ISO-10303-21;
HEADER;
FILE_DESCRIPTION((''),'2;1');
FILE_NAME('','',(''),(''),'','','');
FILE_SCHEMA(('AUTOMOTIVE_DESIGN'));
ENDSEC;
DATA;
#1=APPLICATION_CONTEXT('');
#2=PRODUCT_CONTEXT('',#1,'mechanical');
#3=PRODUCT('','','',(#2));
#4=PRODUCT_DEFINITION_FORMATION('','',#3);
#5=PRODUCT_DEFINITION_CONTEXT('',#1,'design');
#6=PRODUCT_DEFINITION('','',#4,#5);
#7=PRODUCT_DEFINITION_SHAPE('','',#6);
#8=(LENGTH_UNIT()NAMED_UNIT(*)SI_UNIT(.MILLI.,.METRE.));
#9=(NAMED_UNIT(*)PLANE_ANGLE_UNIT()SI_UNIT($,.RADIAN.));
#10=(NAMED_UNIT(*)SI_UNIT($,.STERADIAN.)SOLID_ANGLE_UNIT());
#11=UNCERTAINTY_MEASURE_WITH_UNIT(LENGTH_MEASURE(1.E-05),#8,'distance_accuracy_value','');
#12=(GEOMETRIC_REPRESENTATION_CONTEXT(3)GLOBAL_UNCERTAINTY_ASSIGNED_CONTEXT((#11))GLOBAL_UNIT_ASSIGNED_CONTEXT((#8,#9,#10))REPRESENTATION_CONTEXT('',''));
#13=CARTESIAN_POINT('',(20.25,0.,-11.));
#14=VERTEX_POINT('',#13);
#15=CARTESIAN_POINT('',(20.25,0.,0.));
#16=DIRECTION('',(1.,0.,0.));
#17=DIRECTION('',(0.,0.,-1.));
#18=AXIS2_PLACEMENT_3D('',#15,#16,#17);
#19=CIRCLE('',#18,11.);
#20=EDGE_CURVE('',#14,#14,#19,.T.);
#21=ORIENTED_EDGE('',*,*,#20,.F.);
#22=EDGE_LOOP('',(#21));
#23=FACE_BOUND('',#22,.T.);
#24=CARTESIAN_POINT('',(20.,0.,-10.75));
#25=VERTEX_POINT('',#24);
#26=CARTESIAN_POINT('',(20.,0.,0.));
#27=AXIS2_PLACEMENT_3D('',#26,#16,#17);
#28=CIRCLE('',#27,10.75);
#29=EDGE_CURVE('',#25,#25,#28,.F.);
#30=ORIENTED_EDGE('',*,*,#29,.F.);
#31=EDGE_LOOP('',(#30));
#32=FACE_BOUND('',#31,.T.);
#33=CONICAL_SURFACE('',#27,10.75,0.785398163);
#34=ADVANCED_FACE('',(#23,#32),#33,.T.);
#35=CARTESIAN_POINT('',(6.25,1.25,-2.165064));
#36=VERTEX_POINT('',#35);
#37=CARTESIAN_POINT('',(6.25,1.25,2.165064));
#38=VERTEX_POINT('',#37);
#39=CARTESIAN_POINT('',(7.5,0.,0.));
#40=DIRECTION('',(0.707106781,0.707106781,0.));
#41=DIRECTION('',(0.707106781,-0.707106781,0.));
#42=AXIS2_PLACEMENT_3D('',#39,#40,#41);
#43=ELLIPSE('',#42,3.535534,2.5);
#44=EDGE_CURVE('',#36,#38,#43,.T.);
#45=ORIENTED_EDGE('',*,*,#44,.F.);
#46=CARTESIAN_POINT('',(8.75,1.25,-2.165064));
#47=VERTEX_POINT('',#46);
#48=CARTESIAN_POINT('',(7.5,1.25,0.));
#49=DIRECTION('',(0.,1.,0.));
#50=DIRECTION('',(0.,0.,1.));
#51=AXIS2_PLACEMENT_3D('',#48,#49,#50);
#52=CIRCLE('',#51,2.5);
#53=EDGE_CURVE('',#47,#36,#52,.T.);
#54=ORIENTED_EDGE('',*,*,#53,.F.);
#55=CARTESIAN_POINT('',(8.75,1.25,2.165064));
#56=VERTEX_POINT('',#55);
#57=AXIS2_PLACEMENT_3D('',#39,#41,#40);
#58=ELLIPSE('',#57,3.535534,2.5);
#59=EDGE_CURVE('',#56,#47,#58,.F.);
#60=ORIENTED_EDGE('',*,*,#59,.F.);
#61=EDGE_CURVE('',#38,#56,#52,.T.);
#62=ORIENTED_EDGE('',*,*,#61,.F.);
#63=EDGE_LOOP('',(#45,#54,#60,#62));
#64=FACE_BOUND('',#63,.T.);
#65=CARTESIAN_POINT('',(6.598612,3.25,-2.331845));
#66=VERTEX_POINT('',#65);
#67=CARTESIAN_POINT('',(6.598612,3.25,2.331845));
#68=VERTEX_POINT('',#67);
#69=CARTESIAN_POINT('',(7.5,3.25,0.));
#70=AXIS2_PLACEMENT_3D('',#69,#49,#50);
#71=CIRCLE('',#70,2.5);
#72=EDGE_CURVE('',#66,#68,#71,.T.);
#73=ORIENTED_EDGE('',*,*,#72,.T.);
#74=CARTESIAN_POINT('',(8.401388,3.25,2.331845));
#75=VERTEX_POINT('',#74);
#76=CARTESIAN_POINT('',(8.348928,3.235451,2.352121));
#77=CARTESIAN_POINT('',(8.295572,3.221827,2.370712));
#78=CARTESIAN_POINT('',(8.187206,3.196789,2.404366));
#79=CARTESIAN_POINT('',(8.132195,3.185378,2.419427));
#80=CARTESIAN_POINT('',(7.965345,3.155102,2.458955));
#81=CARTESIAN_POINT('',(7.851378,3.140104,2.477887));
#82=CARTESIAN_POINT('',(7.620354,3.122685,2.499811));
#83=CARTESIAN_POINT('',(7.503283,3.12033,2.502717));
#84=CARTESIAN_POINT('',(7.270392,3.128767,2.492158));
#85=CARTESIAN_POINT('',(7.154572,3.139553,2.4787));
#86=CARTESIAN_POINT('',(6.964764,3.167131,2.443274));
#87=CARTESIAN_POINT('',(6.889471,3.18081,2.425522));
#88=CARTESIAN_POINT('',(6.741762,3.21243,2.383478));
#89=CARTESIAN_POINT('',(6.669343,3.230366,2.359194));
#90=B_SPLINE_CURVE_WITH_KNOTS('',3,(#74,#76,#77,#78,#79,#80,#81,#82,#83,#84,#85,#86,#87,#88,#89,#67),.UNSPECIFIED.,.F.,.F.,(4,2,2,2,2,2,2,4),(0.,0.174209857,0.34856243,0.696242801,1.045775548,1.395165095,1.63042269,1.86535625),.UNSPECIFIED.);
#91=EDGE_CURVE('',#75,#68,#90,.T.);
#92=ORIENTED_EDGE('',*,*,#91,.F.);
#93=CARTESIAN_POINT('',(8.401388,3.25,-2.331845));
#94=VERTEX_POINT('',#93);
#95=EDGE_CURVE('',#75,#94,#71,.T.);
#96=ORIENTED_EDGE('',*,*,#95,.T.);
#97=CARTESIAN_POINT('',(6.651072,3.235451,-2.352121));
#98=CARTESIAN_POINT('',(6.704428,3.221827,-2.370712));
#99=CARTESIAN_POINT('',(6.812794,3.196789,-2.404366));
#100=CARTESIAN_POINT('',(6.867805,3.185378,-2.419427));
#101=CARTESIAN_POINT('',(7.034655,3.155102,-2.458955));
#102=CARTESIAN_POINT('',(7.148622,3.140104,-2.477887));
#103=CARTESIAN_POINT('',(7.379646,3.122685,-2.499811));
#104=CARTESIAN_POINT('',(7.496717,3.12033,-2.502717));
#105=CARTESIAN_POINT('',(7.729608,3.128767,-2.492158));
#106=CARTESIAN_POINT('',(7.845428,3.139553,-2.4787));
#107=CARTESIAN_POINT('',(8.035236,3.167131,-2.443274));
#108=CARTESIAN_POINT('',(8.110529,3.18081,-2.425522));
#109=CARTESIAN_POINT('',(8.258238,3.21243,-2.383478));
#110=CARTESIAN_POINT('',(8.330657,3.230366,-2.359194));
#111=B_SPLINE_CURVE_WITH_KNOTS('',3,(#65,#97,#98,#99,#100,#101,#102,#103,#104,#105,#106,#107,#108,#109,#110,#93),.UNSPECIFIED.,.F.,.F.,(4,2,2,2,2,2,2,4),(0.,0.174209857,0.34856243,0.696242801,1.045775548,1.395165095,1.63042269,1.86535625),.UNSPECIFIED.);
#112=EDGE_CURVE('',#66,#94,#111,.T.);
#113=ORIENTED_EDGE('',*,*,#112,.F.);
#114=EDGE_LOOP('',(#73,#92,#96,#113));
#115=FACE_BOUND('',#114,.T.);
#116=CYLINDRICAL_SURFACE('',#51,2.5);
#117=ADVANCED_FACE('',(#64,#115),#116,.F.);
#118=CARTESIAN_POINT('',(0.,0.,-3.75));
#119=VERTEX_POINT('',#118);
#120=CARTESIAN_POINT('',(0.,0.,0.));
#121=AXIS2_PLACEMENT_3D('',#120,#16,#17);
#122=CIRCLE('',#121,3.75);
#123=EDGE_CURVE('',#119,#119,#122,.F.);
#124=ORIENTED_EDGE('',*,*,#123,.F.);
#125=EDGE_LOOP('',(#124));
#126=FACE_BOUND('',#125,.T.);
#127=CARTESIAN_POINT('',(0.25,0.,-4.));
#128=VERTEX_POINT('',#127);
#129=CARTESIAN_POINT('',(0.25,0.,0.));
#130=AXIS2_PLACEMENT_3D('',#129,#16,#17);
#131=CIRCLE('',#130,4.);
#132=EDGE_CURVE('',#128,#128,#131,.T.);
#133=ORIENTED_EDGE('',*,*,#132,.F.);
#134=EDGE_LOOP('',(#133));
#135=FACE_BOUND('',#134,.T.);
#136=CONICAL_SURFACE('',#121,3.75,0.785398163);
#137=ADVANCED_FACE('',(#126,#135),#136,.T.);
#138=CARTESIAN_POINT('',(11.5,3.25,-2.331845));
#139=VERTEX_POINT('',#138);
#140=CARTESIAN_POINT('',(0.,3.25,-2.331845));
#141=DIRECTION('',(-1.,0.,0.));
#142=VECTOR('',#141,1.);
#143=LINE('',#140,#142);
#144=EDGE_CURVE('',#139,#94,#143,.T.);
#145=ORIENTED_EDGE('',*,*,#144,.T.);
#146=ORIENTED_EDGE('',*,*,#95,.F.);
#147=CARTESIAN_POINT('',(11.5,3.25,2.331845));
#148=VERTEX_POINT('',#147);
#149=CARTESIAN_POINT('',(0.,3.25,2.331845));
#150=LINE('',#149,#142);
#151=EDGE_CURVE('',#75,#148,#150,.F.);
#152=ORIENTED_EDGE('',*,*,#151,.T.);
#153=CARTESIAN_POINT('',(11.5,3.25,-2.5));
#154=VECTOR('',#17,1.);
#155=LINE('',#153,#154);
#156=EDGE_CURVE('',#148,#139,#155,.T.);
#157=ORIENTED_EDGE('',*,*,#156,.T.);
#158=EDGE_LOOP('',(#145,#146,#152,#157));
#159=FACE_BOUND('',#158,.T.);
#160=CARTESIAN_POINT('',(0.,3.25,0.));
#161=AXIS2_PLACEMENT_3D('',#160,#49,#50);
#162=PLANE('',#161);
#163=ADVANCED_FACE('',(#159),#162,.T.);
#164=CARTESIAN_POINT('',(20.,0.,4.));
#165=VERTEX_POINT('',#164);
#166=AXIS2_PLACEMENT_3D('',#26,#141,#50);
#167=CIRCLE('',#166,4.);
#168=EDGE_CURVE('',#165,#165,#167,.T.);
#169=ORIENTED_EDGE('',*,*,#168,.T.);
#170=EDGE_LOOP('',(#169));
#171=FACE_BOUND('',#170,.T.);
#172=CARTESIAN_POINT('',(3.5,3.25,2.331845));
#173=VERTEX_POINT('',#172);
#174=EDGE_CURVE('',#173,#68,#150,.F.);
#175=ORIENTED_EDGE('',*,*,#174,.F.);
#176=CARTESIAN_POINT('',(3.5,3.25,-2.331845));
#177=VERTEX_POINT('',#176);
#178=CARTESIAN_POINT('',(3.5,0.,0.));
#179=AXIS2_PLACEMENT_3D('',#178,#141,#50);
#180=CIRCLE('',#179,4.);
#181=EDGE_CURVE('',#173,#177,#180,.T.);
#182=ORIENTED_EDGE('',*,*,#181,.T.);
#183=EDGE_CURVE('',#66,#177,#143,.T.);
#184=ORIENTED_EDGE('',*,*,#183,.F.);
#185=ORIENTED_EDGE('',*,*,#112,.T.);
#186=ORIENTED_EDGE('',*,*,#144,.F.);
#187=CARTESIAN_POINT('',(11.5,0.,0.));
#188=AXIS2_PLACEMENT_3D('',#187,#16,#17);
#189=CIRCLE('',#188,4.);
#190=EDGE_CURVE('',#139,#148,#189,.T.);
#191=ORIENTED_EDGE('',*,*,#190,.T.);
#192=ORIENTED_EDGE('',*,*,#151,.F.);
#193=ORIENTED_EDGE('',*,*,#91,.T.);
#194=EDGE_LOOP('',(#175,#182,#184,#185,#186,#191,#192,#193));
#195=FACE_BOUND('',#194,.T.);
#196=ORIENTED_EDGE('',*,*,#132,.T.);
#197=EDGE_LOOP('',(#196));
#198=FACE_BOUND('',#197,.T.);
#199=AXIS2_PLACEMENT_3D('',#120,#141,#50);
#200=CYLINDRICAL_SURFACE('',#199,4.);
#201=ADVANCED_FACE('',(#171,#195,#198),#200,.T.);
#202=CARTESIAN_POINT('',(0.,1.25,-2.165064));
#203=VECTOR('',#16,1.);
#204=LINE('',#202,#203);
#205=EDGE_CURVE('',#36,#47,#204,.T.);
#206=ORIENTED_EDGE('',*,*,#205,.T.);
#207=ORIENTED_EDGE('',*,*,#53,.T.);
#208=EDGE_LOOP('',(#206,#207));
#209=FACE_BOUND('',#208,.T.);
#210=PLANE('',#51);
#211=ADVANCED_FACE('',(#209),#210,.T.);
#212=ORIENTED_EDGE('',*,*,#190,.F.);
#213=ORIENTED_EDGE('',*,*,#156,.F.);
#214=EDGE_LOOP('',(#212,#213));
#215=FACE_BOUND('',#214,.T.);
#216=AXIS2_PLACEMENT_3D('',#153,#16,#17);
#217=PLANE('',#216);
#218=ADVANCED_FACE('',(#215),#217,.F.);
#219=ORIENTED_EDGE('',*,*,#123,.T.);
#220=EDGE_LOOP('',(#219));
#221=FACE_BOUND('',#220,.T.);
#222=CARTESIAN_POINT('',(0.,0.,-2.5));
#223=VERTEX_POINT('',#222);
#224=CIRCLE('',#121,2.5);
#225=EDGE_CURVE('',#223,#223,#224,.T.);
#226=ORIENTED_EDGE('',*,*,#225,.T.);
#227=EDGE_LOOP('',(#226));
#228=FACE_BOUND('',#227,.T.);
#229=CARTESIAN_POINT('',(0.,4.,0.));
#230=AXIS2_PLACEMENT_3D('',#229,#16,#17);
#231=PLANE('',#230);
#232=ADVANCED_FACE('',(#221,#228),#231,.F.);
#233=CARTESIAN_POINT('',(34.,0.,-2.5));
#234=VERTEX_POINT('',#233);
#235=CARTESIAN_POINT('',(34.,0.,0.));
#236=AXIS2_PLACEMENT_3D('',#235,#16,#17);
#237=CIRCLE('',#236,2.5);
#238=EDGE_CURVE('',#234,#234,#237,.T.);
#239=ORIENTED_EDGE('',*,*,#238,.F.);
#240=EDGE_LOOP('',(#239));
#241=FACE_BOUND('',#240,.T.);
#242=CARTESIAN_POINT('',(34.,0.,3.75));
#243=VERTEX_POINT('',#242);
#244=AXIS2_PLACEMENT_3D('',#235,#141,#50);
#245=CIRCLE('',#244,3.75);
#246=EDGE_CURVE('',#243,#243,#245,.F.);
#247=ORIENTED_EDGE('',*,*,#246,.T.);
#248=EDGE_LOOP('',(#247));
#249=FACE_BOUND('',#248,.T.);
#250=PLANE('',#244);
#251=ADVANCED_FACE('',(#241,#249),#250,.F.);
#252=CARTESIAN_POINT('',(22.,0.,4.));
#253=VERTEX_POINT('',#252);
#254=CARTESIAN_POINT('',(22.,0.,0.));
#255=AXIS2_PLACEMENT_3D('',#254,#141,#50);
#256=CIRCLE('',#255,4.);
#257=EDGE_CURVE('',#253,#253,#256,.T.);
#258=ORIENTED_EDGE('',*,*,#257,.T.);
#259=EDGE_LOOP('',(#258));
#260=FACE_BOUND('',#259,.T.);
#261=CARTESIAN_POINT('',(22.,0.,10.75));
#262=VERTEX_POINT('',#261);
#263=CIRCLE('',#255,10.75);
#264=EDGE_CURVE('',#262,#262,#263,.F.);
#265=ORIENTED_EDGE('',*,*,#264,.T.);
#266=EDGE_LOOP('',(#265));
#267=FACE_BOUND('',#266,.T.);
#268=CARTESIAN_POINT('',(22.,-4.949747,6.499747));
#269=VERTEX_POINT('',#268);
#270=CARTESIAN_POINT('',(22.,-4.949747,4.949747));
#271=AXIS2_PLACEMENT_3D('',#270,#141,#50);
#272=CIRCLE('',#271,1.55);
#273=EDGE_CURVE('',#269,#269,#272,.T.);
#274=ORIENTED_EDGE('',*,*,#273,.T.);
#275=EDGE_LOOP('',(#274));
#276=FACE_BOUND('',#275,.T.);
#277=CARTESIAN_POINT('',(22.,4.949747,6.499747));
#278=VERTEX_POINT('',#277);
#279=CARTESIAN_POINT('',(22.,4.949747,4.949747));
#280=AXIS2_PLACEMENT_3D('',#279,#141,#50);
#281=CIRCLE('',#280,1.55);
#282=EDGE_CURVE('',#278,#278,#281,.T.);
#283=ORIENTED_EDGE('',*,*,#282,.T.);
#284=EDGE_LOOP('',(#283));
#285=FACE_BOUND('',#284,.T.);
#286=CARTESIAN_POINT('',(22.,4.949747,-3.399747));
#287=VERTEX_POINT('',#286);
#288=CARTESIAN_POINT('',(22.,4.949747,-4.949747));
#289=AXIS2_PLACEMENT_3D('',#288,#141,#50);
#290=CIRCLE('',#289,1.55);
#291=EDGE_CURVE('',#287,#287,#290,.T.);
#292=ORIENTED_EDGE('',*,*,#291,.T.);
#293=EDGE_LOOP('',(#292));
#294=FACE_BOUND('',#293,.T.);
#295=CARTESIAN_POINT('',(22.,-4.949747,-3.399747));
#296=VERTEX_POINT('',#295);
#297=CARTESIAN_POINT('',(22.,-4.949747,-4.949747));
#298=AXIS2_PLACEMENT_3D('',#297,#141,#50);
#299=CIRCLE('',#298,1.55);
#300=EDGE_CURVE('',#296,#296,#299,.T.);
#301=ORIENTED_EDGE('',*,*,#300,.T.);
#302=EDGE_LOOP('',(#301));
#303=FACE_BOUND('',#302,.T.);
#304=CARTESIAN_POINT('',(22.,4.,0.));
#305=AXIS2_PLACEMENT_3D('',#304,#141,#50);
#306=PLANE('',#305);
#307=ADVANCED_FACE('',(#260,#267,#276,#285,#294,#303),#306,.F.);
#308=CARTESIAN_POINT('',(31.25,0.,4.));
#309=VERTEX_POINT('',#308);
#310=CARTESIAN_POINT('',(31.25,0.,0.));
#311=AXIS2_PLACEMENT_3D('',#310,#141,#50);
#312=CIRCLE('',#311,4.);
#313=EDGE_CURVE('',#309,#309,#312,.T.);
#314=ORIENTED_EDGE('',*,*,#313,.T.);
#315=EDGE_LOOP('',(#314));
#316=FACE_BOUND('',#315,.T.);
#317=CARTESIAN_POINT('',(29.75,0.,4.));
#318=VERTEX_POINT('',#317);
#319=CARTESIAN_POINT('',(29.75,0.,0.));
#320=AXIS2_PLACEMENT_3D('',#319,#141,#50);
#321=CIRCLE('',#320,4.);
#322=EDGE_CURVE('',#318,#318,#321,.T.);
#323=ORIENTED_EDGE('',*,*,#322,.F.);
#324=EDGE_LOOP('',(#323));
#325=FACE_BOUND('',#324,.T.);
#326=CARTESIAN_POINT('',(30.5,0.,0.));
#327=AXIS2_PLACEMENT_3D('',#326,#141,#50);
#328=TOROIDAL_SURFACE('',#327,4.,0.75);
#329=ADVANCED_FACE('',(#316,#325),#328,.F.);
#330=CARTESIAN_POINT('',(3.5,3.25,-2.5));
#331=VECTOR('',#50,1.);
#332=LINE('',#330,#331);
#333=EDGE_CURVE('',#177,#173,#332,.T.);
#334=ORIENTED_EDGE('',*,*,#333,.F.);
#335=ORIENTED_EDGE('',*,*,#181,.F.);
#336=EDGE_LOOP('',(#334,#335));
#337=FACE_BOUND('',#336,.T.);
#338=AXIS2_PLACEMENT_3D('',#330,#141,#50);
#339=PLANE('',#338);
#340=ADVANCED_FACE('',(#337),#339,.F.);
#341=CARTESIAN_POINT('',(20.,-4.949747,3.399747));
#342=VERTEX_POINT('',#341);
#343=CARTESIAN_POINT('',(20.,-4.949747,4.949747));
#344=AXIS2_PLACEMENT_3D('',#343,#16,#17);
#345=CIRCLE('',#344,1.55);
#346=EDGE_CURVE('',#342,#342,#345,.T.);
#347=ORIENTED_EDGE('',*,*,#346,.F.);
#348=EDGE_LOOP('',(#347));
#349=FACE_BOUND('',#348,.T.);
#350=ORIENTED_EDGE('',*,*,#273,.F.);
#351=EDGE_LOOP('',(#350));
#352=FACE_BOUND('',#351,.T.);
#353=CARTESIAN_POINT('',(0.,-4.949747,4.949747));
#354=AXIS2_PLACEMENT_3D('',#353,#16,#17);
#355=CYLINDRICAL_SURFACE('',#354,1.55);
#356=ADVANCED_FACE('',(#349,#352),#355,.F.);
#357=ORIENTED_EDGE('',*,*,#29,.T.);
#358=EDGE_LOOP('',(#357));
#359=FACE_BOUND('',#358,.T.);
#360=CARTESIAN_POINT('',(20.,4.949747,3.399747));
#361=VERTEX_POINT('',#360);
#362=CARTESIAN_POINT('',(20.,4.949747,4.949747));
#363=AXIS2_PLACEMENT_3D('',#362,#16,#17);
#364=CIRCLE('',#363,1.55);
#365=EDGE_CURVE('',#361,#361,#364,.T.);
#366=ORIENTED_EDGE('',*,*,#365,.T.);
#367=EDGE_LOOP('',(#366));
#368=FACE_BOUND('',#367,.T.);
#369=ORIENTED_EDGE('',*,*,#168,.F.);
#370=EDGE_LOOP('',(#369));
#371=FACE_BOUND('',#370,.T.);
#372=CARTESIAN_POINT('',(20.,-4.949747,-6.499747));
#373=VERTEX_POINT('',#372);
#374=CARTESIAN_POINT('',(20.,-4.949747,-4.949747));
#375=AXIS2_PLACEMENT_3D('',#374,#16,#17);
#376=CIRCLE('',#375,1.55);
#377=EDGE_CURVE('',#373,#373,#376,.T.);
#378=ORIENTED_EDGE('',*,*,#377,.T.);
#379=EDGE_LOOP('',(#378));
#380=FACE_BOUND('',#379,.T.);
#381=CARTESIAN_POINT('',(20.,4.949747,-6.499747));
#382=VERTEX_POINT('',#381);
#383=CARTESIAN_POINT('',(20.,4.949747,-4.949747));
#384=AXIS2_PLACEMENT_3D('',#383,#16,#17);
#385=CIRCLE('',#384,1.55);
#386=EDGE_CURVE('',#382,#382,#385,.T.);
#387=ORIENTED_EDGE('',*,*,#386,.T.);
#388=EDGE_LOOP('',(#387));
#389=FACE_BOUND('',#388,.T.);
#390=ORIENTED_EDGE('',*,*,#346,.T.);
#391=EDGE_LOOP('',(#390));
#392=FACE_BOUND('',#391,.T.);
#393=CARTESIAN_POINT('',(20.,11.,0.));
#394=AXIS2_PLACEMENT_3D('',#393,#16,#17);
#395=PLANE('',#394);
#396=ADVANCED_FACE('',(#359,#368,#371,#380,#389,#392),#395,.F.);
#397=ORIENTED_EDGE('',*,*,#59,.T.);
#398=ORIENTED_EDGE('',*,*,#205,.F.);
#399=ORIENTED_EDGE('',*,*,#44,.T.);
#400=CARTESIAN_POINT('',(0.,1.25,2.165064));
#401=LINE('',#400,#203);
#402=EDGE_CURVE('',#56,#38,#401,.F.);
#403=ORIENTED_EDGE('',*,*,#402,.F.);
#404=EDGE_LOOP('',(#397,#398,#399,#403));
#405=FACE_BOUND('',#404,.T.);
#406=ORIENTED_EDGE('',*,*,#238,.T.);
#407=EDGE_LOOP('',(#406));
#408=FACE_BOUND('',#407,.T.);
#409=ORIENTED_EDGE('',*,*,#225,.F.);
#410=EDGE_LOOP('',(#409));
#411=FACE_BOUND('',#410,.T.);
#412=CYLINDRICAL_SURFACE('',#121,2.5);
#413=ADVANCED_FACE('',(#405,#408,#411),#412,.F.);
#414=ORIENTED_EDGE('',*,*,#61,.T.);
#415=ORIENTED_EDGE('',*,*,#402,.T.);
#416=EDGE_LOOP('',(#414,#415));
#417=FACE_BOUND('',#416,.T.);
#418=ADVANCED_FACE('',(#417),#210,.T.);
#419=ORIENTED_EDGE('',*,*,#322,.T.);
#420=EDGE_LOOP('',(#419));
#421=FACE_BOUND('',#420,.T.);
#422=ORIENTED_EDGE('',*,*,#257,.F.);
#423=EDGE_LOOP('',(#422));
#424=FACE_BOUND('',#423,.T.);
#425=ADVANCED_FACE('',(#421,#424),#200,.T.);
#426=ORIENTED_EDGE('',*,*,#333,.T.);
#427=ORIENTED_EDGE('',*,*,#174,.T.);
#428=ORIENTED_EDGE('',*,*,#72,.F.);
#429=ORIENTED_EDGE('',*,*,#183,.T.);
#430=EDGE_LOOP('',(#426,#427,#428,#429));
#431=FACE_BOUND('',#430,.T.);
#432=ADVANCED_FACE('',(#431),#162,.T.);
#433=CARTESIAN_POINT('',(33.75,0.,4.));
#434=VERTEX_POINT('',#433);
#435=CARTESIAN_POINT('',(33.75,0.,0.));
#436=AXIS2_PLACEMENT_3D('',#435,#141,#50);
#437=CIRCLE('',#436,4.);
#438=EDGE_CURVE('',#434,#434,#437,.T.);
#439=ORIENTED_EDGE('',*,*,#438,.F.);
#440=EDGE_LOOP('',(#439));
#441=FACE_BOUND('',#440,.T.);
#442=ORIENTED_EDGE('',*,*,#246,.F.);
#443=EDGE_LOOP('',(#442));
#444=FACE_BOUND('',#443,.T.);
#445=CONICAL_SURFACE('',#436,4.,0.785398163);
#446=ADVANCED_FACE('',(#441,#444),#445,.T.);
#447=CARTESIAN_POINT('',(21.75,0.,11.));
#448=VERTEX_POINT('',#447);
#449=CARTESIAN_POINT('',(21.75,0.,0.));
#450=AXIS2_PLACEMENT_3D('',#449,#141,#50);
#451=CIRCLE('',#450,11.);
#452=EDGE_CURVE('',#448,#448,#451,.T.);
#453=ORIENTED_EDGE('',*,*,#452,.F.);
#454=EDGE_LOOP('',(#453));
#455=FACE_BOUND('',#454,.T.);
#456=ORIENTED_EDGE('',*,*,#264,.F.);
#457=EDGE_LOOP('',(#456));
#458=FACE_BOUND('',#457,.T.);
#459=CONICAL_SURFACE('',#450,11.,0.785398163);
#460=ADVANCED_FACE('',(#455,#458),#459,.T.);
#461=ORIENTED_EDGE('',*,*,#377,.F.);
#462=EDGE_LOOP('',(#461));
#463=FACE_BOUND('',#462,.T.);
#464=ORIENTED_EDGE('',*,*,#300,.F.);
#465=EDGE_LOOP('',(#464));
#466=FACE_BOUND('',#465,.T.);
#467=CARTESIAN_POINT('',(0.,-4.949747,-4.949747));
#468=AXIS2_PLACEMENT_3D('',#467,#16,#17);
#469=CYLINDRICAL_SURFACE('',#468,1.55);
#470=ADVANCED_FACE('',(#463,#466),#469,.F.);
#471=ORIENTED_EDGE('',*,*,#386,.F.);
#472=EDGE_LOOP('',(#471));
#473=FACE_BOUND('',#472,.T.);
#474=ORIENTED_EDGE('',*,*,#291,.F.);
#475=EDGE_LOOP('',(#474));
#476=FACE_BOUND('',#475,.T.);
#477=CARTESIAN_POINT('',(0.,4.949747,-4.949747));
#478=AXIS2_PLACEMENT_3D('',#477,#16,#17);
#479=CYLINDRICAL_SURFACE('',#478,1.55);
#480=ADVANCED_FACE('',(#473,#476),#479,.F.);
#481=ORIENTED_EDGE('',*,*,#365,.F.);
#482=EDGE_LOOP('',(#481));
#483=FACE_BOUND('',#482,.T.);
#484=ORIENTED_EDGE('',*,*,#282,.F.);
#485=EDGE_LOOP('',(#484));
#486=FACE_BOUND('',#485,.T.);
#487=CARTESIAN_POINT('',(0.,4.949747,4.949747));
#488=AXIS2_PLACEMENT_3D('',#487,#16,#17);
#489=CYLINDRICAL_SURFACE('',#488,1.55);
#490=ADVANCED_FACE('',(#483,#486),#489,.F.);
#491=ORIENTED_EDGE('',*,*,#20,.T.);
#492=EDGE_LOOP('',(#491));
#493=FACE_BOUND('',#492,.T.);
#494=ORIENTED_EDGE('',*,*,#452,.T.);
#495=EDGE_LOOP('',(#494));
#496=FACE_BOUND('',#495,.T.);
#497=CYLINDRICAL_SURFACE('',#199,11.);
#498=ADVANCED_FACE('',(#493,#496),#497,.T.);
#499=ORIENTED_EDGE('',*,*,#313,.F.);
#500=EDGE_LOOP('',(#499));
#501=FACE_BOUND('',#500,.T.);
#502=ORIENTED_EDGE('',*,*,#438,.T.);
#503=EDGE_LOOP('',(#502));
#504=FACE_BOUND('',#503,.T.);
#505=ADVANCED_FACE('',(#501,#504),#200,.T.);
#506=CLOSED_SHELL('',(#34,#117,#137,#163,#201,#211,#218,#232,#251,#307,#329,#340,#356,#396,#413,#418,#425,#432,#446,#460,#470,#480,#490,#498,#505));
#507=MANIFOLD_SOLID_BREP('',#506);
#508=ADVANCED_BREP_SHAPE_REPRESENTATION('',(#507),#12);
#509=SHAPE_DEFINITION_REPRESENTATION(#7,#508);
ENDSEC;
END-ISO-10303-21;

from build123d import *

# Parameters (mm, degrees)
SKETCH2_R               = 2.5
CUT_EXTRUDE1_DEPTH      = 38.389838192
CUT_EXTRUDE2_DEPTH      = 27.944387171
CUT_EXTRUDE2_DEPTH_BACK = 27.944387171
SKETCH3_R               = 1.55
SKETCH4_W               = 8
SKETCH4_H               = 5
CUT_EXTRUDE3_DEPTH      = 0.75
SKETCH5_R               = 2.5
CUT_EXTRUDE4_DEPTH      = 2
CHAMFER1_SIZE           = 0.25


with BuildPart() as part:
    # Sketch1 → Revolve1 (revolve)
    with BuildSketch(Plane.XY, mode=Mode.PRIVATE) as revolve1_sk:
        with BuildLine():
            Line((34, 0), (34, 4))
            Line((34, 4), (31.25, 4))
            ThreePointArc((31.25, 4), (30.5, 3.25), (29.75, 4))
            Line((29.75, 4), (22, 4))
            Line((22, 4), (22, 11))
            Line((22, 11), (20, 11))
            Line((20, 11), (20, 4))
            Line((20, 4), (0, 4))
            Line((0, 4), (0, 0))
            Line((0, 0), (34, 0))
        make_face()
    revolve(revolve1_sk.sketch.rotate(Axis((0, 0, 0), (1, 0, 0)), 90), axis=Axis((0, 0, 0), (1, 0, 0)))

    # Sketch2 → Cut-Extrude1 (cut, through all)
    with BuildSketch(Plane(origin=(34, 0, 0), x_dir=(0, 0, -1), z_dir=(1, 0, 0))):
        Circle(SKETCH2_R)
    extrude(amount=-CUT_EXTRUDE1_DEPTH, mode=Mode.SUBTRACT)

    # Sketch3 → Cut-Extrude2 (cut, two sides: drawn at the far end of the back side and taken through both)
    with BuildSketch(Plane(origin=(22, 0, 0), x_dir=(0, 0, -1), z_dir=(1, 0, 0)).offset(-CUT_EXTRUDE2_DEPTH_BACK)):
        with Locations((4.949747468, 4.949747468)):
            Circle(SKETCH3_R)
        with Locations((4.949747468, -4.949747468)):
            Circle(SKETCH3_R)
        with Locations((-4.949747468, -4.949747468)):
            Circle(SKETCH3_R)
        with Locations((-4.949747468, 4.949747468)):
            Circle(SKETCH3_R)
    extrude(amount=CUT_EXTRUDE2_DEPTH + CUT_EXTRUDE2_DEPTH_BACK, mode=Mode.SUBTRACT)

    # Sketch4 → Cut-Extrude3 (cut)
    with BuildSketch(Plane(origin=(0, 4, 0), x_dir=(1, 0, 0), z_dir=(0, 1, 0))):
        with Locations((7.5, 0)):
            Rectangle(SKETCH4_W, SKETCH4_H)
    extrude(amount=-CUT_EXTRUDE3_DEPTH, mode=Mode.SUBTRACT)

    # Sketch5 → Cut-Extrude4 (cut)
    with BuildSketch(Plane(origin=(0, 3.25, 0), x_dir=(1, 0, 0), z_dir=(0, 1, 0))):
        with Locations(Location((7.5, 0, 0), (0, 0, 248.865707785))):
            Circle(SKETCH5_R)
    extrude(amount=-CUT_EXTRUDE4_DEPTH, mode=Mode.SUBTRACT)

    # Chamfer1
    chamfer1_edges = [part.edges().sort_by_distance(p)[0] for p in [
        (22, 0, -11),
        (20, 0, -11),
        (0, 0, -4),
        (34, 0, -4),
    ]]
    chamfer(chamfer1_edges, length=CHAMFER1_SIZE)


solid = part.part
